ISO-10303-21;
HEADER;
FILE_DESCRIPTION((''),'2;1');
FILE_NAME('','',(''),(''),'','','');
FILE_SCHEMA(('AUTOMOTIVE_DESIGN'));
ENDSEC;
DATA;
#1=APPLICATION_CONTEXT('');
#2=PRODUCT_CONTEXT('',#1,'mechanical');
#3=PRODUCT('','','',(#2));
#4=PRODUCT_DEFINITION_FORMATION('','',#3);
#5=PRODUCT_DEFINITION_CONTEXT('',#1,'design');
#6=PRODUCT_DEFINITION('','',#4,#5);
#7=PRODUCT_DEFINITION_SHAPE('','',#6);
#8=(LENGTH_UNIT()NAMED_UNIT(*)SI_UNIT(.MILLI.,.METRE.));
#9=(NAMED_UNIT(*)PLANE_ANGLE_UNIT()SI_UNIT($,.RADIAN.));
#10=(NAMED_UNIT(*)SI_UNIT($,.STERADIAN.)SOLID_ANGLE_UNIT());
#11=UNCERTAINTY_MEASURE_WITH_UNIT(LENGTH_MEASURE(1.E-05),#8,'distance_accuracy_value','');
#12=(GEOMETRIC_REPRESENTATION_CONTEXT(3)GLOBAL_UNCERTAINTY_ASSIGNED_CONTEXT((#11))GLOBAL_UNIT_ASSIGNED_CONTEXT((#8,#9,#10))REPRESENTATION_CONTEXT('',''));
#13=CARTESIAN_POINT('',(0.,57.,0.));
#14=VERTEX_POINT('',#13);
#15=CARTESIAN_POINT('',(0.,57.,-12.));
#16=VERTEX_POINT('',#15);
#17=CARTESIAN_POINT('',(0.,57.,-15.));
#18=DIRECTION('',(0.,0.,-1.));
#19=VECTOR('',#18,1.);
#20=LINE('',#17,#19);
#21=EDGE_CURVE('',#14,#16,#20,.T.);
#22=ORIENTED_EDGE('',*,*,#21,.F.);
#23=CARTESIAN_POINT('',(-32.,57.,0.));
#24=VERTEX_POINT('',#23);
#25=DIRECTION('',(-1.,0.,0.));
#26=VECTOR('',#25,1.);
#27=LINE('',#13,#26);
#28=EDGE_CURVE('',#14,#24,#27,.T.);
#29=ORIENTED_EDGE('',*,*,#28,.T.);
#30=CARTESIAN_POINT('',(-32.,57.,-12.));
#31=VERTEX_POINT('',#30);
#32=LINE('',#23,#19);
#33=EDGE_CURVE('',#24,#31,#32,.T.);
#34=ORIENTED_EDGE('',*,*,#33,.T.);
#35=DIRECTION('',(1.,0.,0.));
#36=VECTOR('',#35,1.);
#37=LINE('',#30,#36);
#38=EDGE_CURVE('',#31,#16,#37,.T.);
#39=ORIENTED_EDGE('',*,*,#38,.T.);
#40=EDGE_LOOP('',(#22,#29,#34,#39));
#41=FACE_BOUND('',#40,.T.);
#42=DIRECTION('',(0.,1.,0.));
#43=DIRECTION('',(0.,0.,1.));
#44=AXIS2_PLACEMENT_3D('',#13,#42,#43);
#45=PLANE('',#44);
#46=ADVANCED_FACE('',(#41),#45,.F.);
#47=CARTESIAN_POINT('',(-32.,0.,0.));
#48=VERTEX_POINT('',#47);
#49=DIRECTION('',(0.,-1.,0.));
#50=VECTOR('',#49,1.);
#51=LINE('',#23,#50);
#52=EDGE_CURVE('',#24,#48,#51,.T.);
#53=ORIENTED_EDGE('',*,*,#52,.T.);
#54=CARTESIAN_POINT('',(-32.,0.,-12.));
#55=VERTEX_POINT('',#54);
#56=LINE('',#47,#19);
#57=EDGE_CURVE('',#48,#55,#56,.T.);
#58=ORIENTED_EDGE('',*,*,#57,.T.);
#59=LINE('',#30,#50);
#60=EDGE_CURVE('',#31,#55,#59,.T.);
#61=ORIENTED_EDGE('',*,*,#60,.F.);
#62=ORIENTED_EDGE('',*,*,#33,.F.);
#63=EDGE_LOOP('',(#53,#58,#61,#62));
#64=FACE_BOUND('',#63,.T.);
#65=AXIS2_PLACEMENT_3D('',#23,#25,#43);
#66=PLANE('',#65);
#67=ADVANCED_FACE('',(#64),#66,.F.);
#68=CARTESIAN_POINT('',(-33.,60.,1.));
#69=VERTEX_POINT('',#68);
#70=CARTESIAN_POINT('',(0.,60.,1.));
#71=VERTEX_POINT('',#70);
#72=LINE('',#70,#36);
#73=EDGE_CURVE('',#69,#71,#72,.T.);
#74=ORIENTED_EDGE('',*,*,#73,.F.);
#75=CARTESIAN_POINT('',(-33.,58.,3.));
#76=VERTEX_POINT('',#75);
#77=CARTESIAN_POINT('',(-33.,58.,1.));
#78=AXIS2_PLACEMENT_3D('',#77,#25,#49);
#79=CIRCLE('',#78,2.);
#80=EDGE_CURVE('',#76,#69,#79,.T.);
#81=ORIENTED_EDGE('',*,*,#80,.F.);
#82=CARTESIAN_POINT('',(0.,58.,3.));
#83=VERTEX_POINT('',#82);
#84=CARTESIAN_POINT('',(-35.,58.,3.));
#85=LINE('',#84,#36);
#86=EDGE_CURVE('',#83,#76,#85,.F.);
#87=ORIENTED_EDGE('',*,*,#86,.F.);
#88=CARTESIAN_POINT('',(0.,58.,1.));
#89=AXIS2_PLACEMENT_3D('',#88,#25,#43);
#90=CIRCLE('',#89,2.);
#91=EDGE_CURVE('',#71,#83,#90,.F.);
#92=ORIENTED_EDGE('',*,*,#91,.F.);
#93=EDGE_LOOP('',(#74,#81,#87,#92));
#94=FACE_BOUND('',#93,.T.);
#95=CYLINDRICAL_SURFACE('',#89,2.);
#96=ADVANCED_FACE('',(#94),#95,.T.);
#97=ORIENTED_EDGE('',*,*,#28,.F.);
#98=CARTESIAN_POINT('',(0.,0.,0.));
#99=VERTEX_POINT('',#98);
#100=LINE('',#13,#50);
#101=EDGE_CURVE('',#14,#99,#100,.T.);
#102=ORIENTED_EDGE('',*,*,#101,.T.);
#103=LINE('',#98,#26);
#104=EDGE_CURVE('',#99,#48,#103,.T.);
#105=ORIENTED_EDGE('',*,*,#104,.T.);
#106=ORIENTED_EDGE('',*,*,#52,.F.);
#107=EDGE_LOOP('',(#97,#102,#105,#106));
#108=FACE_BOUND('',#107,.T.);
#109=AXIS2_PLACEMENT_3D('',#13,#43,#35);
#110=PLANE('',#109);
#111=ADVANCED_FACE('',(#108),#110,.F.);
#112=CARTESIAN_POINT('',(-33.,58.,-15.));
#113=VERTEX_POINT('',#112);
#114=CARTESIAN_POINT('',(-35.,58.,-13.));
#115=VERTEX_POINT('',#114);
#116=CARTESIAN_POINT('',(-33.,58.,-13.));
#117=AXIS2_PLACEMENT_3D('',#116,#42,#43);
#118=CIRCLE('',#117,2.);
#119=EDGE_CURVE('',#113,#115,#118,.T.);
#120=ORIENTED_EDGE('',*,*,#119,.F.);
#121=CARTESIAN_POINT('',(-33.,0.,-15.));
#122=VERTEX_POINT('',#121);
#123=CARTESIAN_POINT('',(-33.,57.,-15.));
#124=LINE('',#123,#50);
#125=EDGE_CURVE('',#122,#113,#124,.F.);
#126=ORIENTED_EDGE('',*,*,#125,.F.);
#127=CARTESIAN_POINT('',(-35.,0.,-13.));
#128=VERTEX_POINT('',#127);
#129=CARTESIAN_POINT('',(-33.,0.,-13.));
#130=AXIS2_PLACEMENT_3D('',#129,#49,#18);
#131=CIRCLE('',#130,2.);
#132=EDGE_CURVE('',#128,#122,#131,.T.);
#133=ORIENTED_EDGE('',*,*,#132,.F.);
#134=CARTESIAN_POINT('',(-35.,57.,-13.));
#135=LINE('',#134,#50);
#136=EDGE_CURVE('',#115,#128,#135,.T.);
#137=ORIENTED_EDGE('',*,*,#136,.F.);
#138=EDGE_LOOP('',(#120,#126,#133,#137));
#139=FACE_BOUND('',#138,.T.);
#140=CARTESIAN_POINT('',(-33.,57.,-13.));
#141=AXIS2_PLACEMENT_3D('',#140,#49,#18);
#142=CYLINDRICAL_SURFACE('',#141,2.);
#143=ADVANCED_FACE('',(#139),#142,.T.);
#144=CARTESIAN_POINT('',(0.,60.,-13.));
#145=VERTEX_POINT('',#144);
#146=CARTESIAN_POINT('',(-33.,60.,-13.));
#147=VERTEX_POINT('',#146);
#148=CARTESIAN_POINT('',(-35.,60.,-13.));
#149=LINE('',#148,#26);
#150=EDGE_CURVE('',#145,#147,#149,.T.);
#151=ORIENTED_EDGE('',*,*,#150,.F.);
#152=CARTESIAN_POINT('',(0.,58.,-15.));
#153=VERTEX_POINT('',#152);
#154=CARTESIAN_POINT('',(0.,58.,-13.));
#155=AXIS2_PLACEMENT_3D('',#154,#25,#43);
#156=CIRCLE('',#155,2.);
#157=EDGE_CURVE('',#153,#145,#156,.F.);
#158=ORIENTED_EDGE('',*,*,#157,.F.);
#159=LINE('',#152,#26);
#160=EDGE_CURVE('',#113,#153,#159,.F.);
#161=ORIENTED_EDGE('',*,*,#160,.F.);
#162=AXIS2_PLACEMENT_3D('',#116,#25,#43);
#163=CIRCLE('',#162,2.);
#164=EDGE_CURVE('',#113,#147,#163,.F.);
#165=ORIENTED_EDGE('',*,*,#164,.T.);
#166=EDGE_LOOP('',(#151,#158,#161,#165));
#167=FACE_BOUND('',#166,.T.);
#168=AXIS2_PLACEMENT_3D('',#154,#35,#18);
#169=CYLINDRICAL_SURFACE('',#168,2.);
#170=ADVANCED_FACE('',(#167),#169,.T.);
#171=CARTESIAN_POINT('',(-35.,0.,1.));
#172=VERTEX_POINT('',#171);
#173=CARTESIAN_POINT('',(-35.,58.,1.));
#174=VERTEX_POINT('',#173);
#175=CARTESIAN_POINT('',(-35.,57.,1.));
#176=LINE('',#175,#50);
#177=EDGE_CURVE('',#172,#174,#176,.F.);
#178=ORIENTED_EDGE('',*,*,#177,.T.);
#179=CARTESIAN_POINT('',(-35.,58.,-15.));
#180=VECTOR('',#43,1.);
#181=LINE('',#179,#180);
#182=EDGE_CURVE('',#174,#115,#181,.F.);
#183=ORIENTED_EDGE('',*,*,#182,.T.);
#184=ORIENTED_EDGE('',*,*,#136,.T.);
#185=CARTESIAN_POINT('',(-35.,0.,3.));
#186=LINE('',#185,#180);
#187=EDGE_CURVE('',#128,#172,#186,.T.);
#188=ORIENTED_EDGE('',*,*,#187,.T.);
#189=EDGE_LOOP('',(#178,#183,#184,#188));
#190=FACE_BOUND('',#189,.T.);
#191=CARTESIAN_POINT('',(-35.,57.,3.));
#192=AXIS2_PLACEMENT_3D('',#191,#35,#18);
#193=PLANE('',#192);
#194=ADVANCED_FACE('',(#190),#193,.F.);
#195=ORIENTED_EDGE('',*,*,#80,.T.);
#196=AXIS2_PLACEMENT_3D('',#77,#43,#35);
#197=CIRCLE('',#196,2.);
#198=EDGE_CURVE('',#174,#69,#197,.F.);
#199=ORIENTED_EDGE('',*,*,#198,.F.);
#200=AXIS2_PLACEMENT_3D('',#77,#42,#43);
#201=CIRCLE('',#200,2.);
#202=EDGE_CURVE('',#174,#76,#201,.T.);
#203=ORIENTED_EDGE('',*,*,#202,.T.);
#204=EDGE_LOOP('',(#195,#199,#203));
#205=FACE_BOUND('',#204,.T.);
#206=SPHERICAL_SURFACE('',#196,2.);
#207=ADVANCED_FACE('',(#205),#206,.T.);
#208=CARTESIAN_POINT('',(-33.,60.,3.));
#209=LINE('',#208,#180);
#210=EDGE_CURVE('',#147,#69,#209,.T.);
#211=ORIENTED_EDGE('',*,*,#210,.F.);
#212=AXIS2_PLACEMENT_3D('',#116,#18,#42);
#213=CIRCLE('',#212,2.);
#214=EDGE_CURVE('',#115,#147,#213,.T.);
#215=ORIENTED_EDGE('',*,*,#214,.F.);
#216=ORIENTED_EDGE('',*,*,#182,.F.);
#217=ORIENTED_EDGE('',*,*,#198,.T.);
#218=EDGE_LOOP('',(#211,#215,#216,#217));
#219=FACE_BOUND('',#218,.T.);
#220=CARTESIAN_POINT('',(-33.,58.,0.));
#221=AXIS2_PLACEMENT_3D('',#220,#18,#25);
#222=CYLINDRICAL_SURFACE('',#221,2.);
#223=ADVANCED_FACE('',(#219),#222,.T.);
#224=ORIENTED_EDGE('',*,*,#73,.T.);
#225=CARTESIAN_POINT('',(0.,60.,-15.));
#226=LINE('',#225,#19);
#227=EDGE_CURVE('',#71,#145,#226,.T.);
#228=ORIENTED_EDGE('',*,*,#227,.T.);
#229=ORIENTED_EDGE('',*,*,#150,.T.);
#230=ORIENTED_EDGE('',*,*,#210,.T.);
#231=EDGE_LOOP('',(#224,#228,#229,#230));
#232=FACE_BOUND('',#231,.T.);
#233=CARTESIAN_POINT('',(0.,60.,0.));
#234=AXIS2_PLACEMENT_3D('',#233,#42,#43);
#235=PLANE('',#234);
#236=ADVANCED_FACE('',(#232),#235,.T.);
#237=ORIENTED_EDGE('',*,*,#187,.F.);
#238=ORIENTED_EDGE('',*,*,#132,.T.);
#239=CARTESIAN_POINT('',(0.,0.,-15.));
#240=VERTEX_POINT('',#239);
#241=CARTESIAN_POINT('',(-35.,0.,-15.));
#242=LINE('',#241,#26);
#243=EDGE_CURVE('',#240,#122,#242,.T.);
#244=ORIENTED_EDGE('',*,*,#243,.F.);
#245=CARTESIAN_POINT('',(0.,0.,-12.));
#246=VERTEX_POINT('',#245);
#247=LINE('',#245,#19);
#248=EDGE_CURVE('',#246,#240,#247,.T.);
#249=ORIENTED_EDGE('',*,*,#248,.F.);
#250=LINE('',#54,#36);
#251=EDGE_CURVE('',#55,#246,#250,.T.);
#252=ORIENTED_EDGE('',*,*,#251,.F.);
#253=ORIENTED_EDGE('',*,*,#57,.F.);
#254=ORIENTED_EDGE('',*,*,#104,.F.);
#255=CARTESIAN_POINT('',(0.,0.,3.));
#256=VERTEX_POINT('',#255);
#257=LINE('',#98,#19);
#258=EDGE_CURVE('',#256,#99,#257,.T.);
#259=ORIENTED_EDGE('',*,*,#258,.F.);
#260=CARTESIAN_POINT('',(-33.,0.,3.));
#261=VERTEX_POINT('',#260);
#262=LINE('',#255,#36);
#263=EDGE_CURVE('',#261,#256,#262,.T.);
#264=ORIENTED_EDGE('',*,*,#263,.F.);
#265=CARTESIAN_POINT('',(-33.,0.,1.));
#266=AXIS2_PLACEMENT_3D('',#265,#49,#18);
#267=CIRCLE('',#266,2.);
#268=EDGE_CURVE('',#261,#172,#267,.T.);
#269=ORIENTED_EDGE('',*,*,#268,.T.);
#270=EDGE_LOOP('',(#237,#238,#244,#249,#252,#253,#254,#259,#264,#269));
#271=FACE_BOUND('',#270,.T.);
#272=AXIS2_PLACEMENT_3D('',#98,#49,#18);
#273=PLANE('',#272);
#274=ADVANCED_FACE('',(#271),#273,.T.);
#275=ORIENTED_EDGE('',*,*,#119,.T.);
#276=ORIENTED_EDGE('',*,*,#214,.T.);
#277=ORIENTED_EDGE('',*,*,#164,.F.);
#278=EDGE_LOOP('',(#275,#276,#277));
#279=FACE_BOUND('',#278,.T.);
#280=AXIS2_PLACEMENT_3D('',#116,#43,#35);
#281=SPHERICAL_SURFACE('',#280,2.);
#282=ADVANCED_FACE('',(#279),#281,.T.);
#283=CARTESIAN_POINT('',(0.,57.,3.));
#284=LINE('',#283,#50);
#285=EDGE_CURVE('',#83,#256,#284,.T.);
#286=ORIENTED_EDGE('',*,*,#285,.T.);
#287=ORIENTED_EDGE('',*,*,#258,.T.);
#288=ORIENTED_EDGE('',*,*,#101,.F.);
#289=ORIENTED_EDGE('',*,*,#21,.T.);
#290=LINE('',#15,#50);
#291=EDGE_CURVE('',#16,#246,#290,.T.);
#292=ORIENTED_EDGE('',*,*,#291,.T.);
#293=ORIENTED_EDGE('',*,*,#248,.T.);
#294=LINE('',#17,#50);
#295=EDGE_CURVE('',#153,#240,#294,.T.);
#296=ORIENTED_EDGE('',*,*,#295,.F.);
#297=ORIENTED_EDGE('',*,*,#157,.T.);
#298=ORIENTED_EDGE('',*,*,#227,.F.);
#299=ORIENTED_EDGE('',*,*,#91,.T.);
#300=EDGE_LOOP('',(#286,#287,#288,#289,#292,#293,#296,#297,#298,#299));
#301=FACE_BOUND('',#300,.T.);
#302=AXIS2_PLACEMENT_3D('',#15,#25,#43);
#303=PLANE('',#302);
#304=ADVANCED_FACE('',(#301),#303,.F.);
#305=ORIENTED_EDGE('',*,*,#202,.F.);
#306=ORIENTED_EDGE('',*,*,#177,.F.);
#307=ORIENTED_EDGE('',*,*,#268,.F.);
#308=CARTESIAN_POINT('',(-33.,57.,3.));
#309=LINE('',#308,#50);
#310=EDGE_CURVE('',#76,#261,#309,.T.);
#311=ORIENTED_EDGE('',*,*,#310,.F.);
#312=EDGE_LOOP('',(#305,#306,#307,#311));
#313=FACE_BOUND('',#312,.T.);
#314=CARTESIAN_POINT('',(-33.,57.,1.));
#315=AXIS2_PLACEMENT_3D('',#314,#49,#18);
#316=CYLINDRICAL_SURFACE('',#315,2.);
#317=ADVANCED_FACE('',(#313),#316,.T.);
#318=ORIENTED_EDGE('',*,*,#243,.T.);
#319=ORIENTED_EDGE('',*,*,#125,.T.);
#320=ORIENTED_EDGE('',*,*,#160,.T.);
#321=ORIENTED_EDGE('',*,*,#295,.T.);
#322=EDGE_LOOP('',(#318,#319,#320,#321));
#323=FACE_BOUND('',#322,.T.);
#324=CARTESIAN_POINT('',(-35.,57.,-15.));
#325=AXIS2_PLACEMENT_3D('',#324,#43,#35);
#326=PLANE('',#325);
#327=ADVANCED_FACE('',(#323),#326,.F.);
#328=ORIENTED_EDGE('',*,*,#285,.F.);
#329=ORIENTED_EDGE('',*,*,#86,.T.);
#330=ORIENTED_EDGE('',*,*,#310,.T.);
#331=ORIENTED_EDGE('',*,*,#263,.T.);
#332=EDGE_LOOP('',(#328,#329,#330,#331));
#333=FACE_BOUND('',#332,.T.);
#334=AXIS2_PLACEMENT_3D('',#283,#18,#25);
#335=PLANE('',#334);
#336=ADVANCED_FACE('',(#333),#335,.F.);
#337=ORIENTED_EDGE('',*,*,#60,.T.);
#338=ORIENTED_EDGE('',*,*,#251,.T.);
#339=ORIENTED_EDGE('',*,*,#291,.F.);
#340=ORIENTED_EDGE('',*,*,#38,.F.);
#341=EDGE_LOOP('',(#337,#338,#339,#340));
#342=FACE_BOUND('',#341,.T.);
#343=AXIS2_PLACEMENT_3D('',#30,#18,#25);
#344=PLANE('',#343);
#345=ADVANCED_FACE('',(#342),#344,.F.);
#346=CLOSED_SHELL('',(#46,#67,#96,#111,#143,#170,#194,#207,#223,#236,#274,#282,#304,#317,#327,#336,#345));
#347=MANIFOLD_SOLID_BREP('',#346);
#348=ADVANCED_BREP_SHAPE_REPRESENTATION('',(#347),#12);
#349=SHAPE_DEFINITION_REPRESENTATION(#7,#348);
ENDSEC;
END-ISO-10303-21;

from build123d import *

# Parameters (mm, degrees)
BOSS_EXTRUDE1_DEPTH = 57
SKETCH2_W           = 35
SKETCH2_H           = 18
BOSS_EXTRUDE2_DEPTH = 3
FILLET1_R           = 2


with BuildPart() as part:
    # Sketch1 → Boss-Extrude1 (new body)
    with BuildSketch(Plane(origin=(0, 0, 0), x_dir=(1, 0, 0), z_dir=(0, 1, 0))):
        Polygon((0, 0), (-32, 0), (-32, 12), (0, 12), (0, 15), (-35, 15), (-35, -3), (0, -3), align=None)
    extrude(amount=BOSS_EXTRUDE1_DEPTH)

    # Sketch2 → Boss-Extrude2 (add)
    with BuildSketch(Plane(origin=(0, 57, 0), x_dir=(1, 0, 0), z_dir=(0, 1, 0))):
        with Locations((-17.5, 6)):
            Rectangle(SKETCH2_W, SKETCH2_H)
    extrude(amount=BOSS_EXTRUDE2_DEPTH)

    # Fillet1
    fillet1_edges = [part.edges().sort_by_distance(p)[0] for p in [
        (-35, 30, 3),
        (-35, 30, -15),
        (-35, 60, -6),
        (-17.5, 60, 3),
        (-17.5, 60, -15),
    ]]
    fillet(fillet1_edges, radius=FILLET1_R)


solid = part.part
